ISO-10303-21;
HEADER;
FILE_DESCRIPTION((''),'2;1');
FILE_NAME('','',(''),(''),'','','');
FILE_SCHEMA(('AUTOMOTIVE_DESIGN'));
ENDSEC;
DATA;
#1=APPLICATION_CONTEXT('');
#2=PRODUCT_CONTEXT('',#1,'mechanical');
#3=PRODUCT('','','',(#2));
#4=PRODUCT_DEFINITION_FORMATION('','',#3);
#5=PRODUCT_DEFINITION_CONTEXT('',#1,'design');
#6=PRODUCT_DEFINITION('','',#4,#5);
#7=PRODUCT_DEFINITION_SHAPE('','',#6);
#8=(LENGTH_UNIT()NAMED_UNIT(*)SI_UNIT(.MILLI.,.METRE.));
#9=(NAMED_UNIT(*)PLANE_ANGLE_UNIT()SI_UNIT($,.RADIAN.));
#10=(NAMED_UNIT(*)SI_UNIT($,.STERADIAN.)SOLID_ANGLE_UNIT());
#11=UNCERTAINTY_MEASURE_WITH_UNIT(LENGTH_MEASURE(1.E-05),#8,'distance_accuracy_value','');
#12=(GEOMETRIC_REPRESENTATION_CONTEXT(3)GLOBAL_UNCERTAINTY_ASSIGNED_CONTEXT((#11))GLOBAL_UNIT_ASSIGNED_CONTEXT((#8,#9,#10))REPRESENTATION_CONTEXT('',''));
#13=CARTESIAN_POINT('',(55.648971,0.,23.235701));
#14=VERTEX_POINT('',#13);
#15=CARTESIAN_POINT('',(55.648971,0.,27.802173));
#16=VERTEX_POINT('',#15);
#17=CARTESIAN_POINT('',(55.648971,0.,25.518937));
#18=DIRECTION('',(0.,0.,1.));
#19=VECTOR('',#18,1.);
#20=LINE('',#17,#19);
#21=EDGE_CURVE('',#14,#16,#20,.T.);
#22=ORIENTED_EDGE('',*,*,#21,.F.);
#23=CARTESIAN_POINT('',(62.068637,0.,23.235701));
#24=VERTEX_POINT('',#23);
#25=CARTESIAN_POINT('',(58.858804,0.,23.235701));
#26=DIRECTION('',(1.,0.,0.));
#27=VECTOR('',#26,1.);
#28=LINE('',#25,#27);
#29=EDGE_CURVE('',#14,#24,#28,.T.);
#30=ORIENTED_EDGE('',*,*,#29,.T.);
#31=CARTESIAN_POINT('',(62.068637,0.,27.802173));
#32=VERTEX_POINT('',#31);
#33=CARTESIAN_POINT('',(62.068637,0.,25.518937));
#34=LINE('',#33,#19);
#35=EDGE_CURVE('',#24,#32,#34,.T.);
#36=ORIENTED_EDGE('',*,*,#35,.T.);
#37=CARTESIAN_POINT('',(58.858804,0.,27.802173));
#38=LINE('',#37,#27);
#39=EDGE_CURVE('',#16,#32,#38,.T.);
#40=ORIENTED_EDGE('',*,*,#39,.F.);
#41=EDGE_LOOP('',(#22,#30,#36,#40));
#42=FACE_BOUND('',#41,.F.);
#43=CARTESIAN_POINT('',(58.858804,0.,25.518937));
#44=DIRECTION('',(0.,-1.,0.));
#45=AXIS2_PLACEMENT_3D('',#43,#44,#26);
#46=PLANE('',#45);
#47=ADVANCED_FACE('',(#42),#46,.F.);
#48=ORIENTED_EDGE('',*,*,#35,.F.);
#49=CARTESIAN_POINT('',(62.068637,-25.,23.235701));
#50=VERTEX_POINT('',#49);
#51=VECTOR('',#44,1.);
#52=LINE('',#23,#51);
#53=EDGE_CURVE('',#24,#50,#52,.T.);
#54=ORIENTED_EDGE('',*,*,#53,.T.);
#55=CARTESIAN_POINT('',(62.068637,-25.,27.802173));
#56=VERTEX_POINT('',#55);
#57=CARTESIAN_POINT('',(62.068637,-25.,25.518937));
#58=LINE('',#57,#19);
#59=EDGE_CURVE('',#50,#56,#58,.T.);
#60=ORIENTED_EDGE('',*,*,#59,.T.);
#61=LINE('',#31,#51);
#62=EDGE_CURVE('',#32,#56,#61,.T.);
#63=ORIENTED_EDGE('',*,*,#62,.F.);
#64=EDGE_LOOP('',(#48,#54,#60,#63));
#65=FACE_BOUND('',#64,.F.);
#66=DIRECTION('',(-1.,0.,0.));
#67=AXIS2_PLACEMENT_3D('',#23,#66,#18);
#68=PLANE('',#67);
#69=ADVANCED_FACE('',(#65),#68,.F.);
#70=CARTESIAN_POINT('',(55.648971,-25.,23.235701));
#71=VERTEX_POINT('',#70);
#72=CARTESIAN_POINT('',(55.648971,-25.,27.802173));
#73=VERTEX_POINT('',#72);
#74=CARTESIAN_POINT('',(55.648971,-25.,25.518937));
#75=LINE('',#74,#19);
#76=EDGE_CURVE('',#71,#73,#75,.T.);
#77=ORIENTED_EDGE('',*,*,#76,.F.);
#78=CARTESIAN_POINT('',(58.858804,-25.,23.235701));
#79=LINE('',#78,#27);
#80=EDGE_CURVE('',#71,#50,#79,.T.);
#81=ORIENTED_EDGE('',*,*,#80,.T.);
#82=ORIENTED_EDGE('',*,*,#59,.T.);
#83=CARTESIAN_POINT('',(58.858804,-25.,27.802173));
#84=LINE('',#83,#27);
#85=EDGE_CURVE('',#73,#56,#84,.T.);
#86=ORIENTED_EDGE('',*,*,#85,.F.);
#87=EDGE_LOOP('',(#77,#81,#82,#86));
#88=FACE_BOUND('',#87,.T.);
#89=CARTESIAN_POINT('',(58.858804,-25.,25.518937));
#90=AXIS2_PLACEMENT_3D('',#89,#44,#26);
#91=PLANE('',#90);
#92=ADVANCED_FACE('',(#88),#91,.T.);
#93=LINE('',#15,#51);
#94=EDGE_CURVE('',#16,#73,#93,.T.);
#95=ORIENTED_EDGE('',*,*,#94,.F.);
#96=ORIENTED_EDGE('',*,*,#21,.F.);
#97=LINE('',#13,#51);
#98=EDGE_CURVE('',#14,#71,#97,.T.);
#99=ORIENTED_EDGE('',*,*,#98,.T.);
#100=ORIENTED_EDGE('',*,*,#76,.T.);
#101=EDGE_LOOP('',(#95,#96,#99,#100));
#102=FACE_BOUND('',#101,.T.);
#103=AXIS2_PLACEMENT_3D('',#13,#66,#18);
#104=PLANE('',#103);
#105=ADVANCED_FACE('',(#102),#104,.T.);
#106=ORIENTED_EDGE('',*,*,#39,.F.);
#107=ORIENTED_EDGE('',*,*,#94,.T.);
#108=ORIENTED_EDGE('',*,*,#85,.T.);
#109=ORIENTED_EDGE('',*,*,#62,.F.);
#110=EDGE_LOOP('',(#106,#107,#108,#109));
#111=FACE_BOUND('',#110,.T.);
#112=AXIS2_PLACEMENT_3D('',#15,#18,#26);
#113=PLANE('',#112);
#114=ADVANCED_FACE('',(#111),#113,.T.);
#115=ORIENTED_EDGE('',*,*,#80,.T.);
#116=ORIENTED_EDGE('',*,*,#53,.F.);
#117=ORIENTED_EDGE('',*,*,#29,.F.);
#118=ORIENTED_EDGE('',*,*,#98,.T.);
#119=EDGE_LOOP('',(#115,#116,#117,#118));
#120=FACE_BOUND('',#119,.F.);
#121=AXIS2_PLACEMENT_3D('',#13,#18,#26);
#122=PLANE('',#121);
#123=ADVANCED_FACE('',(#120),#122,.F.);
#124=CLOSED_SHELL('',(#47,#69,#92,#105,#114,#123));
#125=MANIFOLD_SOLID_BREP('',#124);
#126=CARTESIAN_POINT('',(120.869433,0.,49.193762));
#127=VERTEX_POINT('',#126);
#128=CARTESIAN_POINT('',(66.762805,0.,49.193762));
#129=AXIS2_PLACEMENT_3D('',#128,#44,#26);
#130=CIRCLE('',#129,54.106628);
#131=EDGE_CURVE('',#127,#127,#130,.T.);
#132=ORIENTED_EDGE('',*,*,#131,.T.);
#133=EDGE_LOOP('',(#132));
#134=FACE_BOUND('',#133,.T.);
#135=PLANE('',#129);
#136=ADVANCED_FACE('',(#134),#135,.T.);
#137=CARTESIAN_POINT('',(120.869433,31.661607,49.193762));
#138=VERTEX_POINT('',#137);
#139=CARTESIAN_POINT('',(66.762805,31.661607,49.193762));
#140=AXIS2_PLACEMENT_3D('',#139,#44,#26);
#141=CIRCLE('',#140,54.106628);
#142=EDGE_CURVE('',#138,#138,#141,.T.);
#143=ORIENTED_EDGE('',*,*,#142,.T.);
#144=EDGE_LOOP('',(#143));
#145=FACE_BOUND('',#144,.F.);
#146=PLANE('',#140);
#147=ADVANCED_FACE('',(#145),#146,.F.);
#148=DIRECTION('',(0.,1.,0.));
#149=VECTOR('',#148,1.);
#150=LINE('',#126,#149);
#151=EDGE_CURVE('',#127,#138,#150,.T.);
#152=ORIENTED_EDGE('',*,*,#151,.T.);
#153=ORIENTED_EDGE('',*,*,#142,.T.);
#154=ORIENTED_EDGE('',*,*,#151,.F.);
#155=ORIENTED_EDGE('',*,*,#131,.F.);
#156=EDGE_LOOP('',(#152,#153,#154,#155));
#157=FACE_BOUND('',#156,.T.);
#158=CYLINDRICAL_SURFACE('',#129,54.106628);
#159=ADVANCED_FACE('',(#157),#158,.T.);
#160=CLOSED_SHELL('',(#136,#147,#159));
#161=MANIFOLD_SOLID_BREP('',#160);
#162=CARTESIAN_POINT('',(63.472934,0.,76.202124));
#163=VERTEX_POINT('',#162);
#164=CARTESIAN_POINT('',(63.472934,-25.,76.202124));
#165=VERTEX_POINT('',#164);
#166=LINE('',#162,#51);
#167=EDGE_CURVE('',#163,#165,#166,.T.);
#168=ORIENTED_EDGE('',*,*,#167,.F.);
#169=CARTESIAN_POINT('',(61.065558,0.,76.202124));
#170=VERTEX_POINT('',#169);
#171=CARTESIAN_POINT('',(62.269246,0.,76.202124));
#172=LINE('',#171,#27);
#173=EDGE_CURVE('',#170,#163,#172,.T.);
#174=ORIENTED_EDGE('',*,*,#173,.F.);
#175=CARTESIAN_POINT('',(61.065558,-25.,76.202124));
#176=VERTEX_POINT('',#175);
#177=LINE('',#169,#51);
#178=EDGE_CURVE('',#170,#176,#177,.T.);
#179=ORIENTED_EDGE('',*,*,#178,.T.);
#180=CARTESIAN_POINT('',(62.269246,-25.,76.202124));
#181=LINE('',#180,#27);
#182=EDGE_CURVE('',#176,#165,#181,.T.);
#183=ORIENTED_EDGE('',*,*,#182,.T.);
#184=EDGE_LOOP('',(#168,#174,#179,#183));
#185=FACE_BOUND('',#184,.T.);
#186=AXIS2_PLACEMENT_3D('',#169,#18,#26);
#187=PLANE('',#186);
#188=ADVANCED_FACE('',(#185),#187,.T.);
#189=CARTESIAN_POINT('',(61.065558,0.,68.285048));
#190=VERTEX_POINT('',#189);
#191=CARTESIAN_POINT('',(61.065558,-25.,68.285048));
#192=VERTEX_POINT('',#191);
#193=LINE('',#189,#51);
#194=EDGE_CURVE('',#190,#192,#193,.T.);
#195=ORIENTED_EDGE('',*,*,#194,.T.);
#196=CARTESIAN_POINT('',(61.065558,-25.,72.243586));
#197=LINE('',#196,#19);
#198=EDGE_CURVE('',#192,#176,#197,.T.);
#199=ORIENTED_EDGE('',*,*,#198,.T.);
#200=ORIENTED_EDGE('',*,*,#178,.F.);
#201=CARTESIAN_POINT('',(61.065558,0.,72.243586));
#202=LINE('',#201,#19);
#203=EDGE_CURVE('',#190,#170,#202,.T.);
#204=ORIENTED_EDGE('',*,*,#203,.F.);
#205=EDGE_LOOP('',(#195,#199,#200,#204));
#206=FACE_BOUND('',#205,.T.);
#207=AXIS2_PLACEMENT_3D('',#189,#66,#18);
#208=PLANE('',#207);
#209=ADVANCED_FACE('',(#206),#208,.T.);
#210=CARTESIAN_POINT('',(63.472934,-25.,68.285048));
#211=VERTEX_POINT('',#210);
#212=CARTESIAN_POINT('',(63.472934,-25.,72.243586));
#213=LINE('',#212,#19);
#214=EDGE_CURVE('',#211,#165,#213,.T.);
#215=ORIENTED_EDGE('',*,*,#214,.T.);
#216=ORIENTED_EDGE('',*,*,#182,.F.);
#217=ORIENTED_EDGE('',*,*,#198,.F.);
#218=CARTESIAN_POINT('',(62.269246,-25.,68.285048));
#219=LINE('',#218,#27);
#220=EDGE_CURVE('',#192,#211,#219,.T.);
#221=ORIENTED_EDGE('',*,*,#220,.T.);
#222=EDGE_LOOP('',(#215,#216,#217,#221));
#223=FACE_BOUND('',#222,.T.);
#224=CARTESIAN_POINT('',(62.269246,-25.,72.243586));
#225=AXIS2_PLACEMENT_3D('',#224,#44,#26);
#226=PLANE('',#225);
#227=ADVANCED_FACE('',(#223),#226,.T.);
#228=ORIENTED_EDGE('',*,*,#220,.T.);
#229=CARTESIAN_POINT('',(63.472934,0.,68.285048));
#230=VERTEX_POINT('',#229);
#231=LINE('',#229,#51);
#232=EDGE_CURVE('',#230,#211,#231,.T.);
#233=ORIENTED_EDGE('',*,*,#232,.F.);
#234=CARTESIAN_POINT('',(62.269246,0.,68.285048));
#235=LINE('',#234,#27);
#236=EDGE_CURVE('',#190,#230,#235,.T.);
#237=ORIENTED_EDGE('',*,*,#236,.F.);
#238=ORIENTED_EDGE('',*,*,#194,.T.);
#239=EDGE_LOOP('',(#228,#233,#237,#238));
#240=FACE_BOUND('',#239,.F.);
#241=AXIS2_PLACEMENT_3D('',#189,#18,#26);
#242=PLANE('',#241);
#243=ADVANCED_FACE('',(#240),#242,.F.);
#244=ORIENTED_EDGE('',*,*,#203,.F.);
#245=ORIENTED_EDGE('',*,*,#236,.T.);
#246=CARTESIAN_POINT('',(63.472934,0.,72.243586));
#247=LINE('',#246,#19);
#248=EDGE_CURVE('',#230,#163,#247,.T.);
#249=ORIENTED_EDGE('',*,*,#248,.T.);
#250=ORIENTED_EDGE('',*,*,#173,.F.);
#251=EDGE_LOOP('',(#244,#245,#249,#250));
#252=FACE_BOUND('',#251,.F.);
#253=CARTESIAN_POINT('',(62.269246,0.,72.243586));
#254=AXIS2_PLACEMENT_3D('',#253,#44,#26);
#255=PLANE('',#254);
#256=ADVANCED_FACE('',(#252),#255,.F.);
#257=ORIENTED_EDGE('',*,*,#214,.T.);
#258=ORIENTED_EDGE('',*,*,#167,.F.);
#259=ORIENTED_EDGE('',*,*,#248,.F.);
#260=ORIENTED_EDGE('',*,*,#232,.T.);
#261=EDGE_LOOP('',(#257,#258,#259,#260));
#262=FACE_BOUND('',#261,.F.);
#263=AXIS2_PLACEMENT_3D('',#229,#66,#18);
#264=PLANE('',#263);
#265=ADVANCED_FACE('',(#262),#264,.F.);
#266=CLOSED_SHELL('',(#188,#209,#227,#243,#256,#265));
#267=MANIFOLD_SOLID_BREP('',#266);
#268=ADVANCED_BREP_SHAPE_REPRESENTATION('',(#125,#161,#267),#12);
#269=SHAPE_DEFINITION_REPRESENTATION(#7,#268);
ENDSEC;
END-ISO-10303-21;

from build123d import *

# Parameters (mm, degrees)
F0_W     = 6.419666
F0_H     = 4.566472
F0_W_2   = 2.407376
F0_H_2   = 7.917076
F1_DEPTH = 25
F2_R     = 54.106628
F3_DEPTH = 31.661607


with BuildPart() as f1:
    # F0 (on Front) → F1 (new body)
    with BuildSketch(Plane.XZ):
        with Locations((58.858804, 25.518937)):
            Rectangle(F0_W, F0_H)
        with Locations((62.269246, 72.243586)):
            Rectangle(F0_W_2, F0_H_2)
    extrude(amount=F1_DEPTH)


with BuildPart() as f3:
    # F2 (on Front) → F3 (new body)
    with BuildSketch(Plane.XZ):
        with Locations((66.762805, 49.193762)):
            Circle(F2_R)
    extrude(amount=-F3_DEPTH)


solid = Compound([f1.part, f3.part])
